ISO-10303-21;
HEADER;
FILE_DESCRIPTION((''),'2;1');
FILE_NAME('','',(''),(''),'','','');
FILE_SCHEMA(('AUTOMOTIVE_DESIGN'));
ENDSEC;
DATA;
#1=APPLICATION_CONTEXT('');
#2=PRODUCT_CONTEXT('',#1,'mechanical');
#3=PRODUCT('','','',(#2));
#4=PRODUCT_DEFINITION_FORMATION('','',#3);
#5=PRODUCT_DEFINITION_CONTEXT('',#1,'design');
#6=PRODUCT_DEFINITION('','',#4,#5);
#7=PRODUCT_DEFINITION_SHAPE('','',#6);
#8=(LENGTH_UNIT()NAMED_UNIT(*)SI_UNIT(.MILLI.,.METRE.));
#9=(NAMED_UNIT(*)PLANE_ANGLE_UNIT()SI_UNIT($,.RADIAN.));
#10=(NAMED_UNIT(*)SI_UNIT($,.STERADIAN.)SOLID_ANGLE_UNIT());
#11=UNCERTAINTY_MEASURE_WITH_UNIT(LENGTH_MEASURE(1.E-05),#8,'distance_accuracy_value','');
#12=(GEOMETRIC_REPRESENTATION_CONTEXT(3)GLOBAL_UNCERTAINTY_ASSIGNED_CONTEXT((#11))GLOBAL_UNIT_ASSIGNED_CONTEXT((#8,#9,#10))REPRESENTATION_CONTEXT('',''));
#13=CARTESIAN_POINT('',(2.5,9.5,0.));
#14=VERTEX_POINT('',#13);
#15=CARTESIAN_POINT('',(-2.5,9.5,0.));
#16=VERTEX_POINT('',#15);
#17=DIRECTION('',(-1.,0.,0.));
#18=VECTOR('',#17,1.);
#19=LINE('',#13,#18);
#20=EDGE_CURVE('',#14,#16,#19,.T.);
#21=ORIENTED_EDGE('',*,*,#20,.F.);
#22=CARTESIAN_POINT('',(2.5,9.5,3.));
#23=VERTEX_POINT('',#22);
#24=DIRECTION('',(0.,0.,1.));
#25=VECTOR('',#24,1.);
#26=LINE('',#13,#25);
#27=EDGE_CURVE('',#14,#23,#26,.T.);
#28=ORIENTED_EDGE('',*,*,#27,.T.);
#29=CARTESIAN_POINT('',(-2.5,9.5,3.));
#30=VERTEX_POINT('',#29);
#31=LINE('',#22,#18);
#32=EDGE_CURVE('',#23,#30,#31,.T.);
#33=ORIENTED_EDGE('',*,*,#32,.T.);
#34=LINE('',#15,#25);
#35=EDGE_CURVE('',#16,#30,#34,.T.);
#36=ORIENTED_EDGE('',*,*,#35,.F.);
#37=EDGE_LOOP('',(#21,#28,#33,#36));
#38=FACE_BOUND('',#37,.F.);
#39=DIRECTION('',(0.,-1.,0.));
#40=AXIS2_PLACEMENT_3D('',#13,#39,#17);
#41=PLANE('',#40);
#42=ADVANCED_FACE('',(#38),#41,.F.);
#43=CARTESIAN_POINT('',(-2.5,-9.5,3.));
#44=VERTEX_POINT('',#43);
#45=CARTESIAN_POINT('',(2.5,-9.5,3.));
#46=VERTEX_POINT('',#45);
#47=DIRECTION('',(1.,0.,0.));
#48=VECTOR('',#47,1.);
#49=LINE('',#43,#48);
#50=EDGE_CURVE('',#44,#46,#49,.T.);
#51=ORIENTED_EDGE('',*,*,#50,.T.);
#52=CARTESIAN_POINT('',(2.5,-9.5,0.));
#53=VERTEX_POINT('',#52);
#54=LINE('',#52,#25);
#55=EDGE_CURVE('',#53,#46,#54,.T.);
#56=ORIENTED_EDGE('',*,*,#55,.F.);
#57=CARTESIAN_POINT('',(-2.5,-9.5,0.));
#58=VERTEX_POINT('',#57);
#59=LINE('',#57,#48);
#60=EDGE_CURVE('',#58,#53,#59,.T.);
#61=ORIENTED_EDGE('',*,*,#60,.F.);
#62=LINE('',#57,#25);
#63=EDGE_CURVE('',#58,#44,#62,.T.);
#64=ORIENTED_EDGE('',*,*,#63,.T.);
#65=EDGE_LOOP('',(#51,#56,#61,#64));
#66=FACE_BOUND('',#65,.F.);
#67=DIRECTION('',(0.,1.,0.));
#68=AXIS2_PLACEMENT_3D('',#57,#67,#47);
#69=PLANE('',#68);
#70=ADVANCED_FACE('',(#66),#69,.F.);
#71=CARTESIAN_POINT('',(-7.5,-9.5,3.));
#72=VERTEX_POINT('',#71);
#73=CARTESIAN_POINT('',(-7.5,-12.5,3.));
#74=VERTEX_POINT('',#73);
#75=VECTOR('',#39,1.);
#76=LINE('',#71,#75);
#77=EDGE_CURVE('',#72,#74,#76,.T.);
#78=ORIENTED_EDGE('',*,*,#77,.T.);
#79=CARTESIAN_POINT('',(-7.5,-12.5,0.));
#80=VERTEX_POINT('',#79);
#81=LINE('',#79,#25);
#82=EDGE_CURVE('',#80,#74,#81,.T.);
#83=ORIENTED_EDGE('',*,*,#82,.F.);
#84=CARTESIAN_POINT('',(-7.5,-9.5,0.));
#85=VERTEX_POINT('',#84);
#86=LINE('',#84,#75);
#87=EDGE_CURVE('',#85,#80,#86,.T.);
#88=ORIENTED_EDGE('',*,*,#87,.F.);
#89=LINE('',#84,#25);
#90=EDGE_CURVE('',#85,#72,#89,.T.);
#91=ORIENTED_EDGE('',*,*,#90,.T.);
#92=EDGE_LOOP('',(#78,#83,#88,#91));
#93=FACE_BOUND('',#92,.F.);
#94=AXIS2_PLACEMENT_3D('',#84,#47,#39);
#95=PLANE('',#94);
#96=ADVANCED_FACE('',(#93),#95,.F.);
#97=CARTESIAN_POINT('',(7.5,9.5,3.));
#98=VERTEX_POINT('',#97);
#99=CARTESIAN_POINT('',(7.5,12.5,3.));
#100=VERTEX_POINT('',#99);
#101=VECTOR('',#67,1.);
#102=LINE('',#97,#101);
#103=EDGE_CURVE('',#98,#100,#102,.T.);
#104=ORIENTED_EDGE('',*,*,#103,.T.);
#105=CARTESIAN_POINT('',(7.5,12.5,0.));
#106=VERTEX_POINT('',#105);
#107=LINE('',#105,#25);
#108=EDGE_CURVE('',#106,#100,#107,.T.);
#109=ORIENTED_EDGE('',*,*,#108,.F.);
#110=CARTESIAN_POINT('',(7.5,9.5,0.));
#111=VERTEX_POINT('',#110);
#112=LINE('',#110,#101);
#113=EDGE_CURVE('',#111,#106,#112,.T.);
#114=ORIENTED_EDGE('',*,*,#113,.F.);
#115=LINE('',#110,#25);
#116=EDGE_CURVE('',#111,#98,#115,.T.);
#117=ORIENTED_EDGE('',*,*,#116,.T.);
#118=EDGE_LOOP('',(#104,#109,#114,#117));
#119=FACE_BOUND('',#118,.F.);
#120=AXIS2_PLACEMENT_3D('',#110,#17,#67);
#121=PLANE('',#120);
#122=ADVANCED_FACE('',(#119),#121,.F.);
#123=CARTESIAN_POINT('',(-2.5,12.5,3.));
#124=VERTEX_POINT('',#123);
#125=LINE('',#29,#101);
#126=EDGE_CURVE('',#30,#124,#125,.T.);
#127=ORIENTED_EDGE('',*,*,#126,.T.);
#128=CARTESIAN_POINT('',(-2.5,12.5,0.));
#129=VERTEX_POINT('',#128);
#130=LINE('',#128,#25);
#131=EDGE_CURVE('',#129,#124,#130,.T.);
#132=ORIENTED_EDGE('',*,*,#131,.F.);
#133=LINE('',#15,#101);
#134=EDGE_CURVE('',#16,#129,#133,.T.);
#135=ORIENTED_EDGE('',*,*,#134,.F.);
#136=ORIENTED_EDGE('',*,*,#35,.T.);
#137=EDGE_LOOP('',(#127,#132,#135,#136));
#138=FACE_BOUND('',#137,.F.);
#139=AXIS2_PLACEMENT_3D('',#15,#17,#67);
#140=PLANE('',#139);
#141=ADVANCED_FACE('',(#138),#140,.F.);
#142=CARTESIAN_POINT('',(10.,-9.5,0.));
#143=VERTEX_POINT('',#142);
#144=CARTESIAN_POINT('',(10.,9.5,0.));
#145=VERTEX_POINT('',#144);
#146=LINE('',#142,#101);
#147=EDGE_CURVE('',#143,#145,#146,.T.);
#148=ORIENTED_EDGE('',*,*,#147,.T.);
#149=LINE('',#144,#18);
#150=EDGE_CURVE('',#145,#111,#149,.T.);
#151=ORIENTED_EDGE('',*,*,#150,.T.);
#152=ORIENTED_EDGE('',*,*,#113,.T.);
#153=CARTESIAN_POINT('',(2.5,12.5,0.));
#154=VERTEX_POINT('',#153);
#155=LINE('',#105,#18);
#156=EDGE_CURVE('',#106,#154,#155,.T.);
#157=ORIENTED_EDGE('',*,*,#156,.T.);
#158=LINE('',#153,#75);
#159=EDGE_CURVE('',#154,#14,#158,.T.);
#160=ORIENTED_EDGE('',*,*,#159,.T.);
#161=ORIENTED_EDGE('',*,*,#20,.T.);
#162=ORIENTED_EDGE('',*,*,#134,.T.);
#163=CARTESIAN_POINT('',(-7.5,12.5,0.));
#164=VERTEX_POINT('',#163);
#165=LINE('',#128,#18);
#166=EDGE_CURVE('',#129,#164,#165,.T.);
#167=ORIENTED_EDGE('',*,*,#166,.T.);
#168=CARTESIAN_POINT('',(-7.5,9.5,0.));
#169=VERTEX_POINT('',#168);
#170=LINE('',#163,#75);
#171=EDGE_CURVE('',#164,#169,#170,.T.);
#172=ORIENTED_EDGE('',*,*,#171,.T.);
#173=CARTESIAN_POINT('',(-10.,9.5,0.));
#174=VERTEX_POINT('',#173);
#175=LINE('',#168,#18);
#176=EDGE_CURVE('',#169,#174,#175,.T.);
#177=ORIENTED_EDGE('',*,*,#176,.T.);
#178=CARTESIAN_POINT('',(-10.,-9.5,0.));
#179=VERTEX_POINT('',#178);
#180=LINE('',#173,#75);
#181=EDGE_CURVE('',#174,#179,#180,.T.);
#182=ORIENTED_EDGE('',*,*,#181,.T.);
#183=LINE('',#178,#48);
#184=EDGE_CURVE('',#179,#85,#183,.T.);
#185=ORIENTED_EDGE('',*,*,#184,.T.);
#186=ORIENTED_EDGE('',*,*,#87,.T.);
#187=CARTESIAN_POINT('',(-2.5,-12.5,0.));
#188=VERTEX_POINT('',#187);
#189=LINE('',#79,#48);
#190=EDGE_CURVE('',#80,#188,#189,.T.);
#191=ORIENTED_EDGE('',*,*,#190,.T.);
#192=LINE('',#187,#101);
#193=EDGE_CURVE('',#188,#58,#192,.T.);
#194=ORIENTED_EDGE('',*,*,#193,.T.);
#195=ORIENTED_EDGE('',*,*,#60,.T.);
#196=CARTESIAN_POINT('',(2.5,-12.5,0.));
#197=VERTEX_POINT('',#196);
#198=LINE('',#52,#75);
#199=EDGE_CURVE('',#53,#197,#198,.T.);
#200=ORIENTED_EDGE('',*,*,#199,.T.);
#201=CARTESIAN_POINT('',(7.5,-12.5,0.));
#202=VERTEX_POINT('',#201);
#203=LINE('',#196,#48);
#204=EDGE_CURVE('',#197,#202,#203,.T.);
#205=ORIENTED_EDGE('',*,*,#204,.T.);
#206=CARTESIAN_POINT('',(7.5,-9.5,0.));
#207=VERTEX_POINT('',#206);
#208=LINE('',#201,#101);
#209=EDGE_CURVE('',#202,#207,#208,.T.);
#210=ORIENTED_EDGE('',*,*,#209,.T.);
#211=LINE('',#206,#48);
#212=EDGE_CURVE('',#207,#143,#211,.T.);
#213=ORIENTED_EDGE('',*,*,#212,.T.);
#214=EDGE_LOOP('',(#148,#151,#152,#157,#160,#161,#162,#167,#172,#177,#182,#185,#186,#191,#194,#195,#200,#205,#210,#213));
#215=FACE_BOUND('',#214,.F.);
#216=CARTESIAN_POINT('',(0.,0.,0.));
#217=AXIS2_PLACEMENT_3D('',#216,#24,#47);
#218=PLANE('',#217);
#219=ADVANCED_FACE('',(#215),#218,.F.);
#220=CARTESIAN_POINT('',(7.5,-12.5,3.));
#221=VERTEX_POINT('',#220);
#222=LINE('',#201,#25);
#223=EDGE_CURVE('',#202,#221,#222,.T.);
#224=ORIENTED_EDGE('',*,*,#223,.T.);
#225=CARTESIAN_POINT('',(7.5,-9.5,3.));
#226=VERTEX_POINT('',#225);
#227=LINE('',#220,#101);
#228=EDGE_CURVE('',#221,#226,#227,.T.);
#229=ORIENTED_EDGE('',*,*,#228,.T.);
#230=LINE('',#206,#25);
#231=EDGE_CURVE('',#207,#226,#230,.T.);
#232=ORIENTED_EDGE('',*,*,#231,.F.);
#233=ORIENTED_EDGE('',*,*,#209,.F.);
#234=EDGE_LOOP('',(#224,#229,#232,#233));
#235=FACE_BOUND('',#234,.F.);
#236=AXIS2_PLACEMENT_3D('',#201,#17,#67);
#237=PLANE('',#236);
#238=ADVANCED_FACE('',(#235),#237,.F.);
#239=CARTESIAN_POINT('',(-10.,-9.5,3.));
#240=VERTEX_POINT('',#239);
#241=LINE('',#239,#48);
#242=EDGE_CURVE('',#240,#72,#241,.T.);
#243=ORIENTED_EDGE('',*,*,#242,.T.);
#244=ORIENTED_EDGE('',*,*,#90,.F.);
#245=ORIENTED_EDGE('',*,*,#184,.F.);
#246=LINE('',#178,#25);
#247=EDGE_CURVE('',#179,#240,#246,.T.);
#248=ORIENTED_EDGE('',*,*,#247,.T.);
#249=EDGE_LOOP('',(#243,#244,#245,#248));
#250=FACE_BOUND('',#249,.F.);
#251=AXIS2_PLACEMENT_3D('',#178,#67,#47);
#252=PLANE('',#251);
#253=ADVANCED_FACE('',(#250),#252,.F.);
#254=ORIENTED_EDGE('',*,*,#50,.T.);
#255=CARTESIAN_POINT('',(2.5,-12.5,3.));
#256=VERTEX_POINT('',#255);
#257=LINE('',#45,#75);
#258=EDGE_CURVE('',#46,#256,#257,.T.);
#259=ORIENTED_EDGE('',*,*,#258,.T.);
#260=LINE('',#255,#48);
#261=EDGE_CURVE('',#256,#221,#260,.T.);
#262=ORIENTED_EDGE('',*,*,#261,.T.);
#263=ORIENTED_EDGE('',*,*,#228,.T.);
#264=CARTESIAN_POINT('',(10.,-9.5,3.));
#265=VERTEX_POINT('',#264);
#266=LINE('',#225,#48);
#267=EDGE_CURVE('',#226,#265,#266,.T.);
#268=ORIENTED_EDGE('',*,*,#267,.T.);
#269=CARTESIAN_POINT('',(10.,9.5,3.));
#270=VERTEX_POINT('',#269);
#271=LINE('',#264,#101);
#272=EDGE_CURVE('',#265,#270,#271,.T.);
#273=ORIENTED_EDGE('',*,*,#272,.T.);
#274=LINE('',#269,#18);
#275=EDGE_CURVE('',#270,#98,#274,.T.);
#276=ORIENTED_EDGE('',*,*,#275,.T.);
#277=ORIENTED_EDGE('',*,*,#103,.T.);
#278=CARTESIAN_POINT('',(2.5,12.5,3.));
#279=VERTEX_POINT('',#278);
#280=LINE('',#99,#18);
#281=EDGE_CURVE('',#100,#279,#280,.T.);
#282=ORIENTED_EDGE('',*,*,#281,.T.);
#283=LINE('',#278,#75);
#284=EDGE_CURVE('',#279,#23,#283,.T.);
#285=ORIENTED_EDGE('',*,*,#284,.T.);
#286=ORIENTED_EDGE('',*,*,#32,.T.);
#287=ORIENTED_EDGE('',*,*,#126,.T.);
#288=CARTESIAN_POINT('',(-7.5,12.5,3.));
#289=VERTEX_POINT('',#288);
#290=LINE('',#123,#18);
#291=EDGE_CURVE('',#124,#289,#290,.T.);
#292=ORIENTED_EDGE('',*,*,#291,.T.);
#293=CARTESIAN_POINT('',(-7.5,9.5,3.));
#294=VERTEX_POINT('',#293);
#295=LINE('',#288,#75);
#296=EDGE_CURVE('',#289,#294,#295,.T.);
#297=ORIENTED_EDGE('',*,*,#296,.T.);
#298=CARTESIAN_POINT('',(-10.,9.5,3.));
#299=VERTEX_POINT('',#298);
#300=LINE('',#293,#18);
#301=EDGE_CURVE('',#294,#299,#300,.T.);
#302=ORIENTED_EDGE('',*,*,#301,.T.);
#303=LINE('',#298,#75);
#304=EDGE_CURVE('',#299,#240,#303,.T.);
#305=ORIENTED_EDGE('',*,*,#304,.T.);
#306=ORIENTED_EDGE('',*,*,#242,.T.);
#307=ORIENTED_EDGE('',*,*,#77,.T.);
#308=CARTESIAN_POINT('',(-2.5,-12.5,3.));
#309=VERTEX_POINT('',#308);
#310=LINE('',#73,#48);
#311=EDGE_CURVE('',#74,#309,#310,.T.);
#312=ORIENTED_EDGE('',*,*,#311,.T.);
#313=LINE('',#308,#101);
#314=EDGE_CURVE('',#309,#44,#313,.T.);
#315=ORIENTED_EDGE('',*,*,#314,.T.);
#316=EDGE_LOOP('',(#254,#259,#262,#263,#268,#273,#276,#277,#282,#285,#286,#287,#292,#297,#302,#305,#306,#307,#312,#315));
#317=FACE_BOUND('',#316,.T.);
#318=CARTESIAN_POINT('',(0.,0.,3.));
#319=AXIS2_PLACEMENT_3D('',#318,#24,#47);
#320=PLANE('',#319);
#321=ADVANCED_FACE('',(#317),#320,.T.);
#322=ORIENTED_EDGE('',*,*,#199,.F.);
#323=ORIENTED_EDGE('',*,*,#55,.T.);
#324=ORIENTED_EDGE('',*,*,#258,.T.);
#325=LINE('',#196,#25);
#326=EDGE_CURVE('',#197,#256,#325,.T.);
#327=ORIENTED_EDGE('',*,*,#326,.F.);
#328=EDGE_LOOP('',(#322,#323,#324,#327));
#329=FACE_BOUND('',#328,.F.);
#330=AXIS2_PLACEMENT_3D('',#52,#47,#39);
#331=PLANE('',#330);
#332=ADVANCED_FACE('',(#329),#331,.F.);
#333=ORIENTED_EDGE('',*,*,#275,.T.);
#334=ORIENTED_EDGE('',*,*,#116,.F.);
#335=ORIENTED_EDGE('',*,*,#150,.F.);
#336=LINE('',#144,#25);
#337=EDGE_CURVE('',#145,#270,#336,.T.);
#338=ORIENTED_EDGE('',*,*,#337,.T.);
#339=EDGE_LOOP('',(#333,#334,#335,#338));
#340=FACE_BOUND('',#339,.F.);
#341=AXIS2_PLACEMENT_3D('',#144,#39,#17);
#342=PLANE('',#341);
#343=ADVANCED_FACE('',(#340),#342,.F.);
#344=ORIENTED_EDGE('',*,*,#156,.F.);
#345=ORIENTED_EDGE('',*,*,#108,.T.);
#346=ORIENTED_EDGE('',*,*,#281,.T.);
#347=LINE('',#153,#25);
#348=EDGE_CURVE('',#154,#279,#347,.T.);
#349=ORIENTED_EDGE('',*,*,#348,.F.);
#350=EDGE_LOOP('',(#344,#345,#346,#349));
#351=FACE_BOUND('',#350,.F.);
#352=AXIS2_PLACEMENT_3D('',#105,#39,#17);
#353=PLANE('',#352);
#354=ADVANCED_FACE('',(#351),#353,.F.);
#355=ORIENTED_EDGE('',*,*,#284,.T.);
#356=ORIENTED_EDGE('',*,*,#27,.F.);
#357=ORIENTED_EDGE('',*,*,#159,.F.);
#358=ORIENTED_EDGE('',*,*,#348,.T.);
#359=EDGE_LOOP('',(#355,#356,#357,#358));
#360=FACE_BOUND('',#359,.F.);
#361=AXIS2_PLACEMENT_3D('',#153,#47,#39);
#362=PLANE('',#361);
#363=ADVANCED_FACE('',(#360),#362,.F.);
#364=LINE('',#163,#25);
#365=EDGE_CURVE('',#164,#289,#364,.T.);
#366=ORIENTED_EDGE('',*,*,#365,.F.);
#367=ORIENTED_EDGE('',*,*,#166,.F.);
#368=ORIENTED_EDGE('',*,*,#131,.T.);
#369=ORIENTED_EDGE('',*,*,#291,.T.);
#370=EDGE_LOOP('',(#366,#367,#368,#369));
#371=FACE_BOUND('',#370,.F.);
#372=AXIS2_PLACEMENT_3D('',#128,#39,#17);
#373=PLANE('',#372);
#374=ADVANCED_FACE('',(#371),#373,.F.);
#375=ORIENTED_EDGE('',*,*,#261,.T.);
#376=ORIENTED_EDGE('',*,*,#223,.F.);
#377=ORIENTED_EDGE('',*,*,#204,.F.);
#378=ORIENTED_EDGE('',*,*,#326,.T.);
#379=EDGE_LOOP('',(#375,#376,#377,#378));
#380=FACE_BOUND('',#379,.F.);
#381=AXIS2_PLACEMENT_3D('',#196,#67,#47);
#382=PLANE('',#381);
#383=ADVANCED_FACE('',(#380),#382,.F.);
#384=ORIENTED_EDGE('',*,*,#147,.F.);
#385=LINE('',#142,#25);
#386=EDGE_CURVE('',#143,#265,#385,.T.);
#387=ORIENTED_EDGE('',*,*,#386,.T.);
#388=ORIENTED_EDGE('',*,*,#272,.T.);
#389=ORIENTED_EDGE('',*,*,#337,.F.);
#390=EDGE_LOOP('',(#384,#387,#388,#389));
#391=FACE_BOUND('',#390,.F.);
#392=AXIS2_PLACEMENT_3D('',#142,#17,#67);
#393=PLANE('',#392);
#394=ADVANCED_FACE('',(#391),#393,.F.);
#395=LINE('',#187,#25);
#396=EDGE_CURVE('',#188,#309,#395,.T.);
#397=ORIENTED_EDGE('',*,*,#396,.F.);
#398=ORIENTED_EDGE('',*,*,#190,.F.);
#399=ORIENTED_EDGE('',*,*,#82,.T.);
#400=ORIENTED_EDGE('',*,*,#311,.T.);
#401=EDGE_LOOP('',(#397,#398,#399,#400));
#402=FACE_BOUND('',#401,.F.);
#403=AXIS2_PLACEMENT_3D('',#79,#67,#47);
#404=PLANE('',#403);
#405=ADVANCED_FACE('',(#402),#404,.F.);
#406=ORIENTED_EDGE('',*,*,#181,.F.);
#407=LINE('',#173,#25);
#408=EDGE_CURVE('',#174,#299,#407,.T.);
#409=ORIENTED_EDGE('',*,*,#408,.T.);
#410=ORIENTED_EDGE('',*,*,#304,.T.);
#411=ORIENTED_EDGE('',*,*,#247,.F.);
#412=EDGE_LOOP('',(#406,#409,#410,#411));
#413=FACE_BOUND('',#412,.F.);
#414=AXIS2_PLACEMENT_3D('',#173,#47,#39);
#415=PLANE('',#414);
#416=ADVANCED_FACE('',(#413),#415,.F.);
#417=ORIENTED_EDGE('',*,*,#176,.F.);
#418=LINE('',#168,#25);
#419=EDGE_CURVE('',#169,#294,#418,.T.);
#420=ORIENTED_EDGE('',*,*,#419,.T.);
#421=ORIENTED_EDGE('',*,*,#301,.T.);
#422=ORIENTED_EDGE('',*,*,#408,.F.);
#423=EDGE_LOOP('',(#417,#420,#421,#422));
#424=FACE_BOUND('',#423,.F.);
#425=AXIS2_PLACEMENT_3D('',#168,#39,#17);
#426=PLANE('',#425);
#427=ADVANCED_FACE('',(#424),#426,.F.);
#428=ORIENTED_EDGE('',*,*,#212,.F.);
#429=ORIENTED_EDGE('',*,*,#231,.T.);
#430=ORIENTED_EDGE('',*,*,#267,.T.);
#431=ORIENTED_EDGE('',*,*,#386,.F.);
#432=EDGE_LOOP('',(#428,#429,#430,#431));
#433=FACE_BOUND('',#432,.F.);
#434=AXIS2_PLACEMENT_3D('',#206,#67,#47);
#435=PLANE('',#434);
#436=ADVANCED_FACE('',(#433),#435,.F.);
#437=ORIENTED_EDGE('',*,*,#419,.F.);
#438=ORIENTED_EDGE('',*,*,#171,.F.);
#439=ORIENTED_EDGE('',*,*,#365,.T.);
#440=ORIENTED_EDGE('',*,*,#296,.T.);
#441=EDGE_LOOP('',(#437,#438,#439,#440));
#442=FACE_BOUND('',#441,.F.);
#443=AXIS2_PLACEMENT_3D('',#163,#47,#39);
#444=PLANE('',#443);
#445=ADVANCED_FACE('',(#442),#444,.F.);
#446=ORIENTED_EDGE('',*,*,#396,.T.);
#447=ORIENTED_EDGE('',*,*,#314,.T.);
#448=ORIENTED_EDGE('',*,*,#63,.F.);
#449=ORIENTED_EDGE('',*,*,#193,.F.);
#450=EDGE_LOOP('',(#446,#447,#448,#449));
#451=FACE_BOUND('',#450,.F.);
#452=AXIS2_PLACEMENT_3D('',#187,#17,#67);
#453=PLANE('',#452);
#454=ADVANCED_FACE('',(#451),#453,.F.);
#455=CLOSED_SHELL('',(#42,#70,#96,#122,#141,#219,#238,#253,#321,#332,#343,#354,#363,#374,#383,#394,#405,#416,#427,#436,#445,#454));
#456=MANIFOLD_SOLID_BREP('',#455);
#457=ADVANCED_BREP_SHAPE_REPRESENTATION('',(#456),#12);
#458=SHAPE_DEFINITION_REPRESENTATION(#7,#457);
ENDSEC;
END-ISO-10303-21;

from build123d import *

# Parameters (mm, degrees)
F1_DEPTH = 3


with BuildPart() as f1:
    # F0 (on Top) → F1 (new body)
    with BuildSketch(Plane.XY):
        Polygon((-10, 9.5), (-10, 0), (-10, -9.5), (-7.5, -9.5), (-7.5, -12.5), (-2.5, -12.5), (-2.5, -9.5), (0, -9.5), (2.5, -9.5), (2.5, -12.5), (7.5, -12.5), (7.5, -9.5), (10, -9.5), (10, 0), (10, 9.5), (7.5, 9.5), (7.5, 12.5), (2.5, 12.5), (2.5, 9.5), (0, 9.5), (-2.5, 9.5), (-2.5, 12.5), (-7.5, 12.5), (-7.5, 9.5), align=None)
    extrude(amount=F1_DEPTH)


solid = f1.part
